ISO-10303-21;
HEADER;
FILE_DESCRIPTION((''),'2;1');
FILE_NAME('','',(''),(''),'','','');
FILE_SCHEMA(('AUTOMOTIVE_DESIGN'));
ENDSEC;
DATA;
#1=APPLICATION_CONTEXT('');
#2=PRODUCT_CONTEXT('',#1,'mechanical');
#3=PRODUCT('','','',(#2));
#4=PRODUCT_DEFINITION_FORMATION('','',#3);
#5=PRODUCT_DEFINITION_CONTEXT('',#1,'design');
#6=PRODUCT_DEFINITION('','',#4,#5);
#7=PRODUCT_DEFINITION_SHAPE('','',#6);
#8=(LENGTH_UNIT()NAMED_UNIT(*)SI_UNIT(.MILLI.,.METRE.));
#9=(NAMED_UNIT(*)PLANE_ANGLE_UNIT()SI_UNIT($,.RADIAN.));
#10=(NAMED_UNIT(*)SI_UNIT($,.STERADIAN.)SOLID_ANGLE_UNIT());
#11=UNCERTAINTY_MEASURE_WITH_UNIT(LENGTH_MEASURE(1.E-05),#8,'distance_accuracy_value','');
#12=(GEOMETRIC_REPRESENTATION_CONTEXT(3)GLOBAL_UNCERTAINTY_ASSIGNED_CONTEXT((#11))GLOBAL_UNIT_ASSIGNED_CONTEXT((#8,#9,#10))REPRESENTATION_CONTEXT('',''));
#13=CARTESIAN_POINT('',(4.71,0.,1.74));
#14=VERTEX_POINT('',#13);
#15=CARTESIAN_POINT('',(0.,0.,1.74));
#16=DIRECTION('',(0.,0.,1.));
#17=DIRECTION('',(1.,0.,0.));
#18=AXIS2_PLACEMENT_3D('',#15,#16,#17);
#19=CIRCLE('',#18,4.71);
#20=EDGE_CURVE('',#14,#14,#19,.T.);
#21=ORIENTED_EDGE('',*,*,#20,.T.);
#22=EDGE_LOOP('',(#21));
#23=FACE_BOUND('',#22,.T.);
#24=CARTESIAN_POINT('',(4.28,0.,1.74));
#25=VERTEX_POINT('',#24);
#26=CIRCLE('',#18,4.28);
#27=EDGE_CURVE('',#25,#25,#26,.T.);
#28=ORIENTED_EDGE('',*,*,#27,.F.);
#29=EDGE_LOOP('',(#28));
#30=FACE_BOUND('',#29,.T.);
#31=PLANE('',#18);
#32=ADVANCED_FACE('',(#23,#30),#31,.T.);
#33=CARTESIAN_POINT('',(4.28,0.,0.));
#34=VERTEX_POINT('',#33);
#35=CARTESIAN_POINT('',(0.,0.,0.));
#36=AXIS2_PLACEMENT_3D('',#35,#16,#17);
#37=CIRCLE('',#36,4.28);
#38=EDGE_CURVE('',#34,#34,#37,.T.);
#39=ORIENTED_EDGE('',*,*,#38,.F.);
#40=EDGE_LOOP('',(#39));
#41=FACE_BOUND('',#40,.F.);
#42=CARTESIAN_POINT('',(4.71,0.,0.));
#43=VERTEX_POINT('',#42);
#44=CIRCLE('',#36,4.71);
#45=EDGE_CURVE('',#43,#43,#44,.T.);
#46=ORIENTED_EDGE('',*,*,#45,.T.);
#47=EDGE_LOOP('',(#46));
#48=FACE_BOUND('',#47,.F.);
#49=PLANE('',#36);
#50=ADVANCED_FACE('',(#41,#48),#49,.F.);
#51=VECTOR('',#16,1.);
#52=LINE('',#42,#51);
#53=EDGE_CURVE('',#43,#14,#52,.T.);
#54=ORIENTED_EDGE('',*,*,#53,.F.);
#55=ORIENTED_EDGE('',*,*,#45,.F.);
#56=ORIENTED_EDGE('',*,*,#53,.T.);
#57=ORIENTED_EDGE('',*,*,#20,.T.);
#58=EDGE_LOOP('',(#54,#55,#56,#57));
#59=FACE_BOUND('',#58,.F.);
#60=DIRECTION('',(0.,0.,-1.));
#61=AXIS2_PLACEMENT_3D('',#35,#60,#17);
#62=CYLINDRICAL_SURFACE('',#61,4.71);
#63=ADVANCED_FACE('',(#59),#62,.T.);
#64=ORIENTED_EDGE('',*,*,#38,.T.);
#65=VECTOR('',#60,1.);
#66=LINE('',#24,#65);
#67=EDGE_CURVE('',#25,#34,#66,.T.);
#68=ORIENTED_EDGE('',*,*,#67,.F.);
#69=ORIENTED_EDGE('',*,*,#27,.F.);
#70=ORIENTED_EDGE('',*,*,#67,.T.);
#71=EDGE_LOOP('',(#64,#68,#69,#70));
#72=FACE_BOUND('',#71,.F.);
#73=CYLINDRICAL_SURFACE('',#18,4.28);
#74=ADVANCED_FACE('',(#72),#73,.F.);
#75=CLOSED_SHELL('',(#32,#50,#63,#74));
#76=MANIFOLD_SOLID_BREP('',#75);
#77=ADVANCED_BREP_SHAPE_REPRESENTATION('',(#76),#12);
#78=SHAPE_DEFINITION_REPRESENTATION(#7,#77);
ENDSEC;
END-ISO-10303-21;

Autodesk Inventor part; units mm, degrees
ref_plane "YZ Plane" through (0, 0, 0) normal (1, 0, 0) x (0, 1, 0)
ref_plane "XZ Plane" through (0, 0, 0) normal (0, 1, 0) x (-1, 0, 0)
ref_plane "XY Plane" through (0, 0, 0) normal (0, 0, 1) x (1, 0, 0)
sketch "Sketch1" plane through (0, 0, 0) normal (0, 0, 1) x (1, 0, 0)
  circle A0 centre (0, 0) radius 4.71
  dimension "d0" = 9.42
extrude "Extrusion1" add sketch "Sketch1" along normal blind 1.74
sketch "Sketch2" plane through (0, 0, 1.74) normal (0, 0, 1) x (1, 0, 0)
  circle A0 centre (0, 0) radius 4.28
  dimension "d3" = 8.56
extrude "Extrusion2" cut sketch "Sketch2" against normal through all
properties part number "MIRROR_D_2"
